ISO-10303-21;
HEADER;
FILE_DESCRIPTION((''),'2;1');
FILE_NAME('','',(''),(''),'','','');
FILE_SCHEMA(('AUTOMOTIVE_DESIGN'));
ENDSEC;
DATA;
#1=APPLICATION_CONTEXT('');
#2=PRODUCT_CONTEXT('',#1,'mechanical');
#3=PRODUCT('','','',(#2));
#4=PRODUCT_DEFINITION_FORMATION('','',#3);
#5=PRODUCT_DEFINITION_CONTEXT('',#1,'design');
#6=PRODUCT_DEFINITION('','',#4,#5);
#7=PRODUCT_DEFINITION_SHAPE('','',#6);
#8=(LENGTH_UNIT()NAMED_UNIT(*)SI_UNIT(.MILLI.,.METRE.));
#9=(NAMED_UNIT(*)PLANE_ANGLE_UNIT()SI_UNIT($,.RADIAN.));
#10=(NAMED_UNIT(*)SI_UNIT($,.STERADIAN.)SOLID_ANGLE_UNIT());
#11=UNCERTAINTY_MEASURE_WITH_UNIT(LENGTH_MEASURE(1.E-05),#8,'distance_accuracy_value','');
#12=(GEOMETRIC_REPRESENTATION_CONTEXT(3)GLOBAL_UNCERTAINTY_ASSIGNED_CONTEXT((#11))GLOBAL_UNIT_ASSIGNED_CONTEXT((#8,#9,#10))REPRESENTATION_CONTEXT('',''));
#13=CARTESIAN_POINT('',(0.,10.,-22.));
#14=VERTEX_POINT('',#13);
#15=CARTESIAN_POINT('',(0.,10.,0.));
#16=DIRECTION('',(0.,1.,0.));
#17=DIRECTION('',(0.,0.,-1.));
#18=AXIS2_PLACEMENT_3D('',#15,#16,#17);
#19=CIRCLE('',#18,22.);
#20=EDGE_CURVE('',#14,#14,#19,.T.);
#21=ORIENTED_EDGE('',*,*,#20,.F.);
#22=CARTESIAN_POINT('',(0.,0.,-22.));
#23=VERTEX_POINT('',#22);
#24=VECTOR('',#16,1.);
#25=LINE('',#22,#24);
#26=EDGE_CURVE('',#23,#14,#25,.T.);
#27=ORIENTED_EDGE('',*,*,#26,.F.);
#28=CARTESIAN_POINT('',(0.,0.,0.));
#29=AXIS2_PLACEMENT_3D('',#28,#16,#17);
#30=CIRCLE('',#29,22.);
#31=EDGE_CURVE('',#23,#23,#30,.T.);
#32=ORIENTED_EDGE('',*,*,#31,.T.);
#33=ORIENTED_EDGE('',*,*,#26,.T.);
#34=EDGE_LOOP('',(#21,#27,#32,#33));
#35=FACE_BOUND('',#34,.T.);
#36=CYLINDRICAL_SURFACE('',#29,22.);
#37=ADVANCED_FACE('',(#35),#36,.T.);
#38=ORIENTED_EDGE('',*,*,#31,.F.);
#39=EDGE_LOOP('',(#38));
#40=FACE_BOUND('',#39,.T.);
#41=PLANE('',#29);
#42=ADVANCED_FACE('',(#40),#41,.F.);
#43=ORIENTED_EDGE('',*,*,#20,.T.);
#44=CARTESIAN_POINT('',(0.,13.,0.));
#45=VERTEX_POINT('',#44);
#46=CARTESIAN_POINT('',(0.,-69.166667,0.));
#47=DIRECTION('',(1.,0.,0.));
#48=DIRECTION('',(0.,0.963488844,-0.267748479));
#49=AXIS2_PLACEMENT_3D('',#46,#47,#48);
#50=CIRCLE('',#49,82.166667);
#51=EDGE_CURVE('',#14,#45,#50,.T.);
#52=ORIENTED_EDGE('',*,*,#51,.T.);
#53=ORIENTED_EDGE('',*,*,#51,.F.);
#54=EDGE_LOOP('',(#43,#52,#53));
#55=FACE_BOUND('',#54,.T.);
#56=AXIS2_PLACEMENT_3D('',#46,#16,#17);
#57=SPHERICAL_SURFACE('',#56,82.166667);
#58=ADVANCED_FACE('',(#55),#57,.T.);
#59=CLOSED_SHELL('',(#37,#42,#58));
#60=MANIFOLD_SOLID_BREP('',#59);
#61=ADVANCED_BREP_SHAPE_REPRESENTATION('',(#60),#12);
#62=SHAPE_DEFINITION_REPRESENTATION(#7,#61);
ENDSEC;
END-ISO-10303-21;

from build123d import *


with BuildPart() as part:
    # Sketch2 → Revolve1 (revolve)
    with BuildSketch(Plane(origin=(0, 0, 0), x_dir=(0, 0, -1), z_dir=(1, 0, 0))):
        with BuildLine():
            Line((0, 0), (22, 0))
            Line((22, 0), (22, 10))
            ThreePointArc((22, 10), (11.101801656, 12.246545474), (0, 13))
            Line((0, 13), (0, 0))
        make_face()
    revolve(axis=Axis((0, 0, 0), (0, 1, 0)))


solid = part.part
